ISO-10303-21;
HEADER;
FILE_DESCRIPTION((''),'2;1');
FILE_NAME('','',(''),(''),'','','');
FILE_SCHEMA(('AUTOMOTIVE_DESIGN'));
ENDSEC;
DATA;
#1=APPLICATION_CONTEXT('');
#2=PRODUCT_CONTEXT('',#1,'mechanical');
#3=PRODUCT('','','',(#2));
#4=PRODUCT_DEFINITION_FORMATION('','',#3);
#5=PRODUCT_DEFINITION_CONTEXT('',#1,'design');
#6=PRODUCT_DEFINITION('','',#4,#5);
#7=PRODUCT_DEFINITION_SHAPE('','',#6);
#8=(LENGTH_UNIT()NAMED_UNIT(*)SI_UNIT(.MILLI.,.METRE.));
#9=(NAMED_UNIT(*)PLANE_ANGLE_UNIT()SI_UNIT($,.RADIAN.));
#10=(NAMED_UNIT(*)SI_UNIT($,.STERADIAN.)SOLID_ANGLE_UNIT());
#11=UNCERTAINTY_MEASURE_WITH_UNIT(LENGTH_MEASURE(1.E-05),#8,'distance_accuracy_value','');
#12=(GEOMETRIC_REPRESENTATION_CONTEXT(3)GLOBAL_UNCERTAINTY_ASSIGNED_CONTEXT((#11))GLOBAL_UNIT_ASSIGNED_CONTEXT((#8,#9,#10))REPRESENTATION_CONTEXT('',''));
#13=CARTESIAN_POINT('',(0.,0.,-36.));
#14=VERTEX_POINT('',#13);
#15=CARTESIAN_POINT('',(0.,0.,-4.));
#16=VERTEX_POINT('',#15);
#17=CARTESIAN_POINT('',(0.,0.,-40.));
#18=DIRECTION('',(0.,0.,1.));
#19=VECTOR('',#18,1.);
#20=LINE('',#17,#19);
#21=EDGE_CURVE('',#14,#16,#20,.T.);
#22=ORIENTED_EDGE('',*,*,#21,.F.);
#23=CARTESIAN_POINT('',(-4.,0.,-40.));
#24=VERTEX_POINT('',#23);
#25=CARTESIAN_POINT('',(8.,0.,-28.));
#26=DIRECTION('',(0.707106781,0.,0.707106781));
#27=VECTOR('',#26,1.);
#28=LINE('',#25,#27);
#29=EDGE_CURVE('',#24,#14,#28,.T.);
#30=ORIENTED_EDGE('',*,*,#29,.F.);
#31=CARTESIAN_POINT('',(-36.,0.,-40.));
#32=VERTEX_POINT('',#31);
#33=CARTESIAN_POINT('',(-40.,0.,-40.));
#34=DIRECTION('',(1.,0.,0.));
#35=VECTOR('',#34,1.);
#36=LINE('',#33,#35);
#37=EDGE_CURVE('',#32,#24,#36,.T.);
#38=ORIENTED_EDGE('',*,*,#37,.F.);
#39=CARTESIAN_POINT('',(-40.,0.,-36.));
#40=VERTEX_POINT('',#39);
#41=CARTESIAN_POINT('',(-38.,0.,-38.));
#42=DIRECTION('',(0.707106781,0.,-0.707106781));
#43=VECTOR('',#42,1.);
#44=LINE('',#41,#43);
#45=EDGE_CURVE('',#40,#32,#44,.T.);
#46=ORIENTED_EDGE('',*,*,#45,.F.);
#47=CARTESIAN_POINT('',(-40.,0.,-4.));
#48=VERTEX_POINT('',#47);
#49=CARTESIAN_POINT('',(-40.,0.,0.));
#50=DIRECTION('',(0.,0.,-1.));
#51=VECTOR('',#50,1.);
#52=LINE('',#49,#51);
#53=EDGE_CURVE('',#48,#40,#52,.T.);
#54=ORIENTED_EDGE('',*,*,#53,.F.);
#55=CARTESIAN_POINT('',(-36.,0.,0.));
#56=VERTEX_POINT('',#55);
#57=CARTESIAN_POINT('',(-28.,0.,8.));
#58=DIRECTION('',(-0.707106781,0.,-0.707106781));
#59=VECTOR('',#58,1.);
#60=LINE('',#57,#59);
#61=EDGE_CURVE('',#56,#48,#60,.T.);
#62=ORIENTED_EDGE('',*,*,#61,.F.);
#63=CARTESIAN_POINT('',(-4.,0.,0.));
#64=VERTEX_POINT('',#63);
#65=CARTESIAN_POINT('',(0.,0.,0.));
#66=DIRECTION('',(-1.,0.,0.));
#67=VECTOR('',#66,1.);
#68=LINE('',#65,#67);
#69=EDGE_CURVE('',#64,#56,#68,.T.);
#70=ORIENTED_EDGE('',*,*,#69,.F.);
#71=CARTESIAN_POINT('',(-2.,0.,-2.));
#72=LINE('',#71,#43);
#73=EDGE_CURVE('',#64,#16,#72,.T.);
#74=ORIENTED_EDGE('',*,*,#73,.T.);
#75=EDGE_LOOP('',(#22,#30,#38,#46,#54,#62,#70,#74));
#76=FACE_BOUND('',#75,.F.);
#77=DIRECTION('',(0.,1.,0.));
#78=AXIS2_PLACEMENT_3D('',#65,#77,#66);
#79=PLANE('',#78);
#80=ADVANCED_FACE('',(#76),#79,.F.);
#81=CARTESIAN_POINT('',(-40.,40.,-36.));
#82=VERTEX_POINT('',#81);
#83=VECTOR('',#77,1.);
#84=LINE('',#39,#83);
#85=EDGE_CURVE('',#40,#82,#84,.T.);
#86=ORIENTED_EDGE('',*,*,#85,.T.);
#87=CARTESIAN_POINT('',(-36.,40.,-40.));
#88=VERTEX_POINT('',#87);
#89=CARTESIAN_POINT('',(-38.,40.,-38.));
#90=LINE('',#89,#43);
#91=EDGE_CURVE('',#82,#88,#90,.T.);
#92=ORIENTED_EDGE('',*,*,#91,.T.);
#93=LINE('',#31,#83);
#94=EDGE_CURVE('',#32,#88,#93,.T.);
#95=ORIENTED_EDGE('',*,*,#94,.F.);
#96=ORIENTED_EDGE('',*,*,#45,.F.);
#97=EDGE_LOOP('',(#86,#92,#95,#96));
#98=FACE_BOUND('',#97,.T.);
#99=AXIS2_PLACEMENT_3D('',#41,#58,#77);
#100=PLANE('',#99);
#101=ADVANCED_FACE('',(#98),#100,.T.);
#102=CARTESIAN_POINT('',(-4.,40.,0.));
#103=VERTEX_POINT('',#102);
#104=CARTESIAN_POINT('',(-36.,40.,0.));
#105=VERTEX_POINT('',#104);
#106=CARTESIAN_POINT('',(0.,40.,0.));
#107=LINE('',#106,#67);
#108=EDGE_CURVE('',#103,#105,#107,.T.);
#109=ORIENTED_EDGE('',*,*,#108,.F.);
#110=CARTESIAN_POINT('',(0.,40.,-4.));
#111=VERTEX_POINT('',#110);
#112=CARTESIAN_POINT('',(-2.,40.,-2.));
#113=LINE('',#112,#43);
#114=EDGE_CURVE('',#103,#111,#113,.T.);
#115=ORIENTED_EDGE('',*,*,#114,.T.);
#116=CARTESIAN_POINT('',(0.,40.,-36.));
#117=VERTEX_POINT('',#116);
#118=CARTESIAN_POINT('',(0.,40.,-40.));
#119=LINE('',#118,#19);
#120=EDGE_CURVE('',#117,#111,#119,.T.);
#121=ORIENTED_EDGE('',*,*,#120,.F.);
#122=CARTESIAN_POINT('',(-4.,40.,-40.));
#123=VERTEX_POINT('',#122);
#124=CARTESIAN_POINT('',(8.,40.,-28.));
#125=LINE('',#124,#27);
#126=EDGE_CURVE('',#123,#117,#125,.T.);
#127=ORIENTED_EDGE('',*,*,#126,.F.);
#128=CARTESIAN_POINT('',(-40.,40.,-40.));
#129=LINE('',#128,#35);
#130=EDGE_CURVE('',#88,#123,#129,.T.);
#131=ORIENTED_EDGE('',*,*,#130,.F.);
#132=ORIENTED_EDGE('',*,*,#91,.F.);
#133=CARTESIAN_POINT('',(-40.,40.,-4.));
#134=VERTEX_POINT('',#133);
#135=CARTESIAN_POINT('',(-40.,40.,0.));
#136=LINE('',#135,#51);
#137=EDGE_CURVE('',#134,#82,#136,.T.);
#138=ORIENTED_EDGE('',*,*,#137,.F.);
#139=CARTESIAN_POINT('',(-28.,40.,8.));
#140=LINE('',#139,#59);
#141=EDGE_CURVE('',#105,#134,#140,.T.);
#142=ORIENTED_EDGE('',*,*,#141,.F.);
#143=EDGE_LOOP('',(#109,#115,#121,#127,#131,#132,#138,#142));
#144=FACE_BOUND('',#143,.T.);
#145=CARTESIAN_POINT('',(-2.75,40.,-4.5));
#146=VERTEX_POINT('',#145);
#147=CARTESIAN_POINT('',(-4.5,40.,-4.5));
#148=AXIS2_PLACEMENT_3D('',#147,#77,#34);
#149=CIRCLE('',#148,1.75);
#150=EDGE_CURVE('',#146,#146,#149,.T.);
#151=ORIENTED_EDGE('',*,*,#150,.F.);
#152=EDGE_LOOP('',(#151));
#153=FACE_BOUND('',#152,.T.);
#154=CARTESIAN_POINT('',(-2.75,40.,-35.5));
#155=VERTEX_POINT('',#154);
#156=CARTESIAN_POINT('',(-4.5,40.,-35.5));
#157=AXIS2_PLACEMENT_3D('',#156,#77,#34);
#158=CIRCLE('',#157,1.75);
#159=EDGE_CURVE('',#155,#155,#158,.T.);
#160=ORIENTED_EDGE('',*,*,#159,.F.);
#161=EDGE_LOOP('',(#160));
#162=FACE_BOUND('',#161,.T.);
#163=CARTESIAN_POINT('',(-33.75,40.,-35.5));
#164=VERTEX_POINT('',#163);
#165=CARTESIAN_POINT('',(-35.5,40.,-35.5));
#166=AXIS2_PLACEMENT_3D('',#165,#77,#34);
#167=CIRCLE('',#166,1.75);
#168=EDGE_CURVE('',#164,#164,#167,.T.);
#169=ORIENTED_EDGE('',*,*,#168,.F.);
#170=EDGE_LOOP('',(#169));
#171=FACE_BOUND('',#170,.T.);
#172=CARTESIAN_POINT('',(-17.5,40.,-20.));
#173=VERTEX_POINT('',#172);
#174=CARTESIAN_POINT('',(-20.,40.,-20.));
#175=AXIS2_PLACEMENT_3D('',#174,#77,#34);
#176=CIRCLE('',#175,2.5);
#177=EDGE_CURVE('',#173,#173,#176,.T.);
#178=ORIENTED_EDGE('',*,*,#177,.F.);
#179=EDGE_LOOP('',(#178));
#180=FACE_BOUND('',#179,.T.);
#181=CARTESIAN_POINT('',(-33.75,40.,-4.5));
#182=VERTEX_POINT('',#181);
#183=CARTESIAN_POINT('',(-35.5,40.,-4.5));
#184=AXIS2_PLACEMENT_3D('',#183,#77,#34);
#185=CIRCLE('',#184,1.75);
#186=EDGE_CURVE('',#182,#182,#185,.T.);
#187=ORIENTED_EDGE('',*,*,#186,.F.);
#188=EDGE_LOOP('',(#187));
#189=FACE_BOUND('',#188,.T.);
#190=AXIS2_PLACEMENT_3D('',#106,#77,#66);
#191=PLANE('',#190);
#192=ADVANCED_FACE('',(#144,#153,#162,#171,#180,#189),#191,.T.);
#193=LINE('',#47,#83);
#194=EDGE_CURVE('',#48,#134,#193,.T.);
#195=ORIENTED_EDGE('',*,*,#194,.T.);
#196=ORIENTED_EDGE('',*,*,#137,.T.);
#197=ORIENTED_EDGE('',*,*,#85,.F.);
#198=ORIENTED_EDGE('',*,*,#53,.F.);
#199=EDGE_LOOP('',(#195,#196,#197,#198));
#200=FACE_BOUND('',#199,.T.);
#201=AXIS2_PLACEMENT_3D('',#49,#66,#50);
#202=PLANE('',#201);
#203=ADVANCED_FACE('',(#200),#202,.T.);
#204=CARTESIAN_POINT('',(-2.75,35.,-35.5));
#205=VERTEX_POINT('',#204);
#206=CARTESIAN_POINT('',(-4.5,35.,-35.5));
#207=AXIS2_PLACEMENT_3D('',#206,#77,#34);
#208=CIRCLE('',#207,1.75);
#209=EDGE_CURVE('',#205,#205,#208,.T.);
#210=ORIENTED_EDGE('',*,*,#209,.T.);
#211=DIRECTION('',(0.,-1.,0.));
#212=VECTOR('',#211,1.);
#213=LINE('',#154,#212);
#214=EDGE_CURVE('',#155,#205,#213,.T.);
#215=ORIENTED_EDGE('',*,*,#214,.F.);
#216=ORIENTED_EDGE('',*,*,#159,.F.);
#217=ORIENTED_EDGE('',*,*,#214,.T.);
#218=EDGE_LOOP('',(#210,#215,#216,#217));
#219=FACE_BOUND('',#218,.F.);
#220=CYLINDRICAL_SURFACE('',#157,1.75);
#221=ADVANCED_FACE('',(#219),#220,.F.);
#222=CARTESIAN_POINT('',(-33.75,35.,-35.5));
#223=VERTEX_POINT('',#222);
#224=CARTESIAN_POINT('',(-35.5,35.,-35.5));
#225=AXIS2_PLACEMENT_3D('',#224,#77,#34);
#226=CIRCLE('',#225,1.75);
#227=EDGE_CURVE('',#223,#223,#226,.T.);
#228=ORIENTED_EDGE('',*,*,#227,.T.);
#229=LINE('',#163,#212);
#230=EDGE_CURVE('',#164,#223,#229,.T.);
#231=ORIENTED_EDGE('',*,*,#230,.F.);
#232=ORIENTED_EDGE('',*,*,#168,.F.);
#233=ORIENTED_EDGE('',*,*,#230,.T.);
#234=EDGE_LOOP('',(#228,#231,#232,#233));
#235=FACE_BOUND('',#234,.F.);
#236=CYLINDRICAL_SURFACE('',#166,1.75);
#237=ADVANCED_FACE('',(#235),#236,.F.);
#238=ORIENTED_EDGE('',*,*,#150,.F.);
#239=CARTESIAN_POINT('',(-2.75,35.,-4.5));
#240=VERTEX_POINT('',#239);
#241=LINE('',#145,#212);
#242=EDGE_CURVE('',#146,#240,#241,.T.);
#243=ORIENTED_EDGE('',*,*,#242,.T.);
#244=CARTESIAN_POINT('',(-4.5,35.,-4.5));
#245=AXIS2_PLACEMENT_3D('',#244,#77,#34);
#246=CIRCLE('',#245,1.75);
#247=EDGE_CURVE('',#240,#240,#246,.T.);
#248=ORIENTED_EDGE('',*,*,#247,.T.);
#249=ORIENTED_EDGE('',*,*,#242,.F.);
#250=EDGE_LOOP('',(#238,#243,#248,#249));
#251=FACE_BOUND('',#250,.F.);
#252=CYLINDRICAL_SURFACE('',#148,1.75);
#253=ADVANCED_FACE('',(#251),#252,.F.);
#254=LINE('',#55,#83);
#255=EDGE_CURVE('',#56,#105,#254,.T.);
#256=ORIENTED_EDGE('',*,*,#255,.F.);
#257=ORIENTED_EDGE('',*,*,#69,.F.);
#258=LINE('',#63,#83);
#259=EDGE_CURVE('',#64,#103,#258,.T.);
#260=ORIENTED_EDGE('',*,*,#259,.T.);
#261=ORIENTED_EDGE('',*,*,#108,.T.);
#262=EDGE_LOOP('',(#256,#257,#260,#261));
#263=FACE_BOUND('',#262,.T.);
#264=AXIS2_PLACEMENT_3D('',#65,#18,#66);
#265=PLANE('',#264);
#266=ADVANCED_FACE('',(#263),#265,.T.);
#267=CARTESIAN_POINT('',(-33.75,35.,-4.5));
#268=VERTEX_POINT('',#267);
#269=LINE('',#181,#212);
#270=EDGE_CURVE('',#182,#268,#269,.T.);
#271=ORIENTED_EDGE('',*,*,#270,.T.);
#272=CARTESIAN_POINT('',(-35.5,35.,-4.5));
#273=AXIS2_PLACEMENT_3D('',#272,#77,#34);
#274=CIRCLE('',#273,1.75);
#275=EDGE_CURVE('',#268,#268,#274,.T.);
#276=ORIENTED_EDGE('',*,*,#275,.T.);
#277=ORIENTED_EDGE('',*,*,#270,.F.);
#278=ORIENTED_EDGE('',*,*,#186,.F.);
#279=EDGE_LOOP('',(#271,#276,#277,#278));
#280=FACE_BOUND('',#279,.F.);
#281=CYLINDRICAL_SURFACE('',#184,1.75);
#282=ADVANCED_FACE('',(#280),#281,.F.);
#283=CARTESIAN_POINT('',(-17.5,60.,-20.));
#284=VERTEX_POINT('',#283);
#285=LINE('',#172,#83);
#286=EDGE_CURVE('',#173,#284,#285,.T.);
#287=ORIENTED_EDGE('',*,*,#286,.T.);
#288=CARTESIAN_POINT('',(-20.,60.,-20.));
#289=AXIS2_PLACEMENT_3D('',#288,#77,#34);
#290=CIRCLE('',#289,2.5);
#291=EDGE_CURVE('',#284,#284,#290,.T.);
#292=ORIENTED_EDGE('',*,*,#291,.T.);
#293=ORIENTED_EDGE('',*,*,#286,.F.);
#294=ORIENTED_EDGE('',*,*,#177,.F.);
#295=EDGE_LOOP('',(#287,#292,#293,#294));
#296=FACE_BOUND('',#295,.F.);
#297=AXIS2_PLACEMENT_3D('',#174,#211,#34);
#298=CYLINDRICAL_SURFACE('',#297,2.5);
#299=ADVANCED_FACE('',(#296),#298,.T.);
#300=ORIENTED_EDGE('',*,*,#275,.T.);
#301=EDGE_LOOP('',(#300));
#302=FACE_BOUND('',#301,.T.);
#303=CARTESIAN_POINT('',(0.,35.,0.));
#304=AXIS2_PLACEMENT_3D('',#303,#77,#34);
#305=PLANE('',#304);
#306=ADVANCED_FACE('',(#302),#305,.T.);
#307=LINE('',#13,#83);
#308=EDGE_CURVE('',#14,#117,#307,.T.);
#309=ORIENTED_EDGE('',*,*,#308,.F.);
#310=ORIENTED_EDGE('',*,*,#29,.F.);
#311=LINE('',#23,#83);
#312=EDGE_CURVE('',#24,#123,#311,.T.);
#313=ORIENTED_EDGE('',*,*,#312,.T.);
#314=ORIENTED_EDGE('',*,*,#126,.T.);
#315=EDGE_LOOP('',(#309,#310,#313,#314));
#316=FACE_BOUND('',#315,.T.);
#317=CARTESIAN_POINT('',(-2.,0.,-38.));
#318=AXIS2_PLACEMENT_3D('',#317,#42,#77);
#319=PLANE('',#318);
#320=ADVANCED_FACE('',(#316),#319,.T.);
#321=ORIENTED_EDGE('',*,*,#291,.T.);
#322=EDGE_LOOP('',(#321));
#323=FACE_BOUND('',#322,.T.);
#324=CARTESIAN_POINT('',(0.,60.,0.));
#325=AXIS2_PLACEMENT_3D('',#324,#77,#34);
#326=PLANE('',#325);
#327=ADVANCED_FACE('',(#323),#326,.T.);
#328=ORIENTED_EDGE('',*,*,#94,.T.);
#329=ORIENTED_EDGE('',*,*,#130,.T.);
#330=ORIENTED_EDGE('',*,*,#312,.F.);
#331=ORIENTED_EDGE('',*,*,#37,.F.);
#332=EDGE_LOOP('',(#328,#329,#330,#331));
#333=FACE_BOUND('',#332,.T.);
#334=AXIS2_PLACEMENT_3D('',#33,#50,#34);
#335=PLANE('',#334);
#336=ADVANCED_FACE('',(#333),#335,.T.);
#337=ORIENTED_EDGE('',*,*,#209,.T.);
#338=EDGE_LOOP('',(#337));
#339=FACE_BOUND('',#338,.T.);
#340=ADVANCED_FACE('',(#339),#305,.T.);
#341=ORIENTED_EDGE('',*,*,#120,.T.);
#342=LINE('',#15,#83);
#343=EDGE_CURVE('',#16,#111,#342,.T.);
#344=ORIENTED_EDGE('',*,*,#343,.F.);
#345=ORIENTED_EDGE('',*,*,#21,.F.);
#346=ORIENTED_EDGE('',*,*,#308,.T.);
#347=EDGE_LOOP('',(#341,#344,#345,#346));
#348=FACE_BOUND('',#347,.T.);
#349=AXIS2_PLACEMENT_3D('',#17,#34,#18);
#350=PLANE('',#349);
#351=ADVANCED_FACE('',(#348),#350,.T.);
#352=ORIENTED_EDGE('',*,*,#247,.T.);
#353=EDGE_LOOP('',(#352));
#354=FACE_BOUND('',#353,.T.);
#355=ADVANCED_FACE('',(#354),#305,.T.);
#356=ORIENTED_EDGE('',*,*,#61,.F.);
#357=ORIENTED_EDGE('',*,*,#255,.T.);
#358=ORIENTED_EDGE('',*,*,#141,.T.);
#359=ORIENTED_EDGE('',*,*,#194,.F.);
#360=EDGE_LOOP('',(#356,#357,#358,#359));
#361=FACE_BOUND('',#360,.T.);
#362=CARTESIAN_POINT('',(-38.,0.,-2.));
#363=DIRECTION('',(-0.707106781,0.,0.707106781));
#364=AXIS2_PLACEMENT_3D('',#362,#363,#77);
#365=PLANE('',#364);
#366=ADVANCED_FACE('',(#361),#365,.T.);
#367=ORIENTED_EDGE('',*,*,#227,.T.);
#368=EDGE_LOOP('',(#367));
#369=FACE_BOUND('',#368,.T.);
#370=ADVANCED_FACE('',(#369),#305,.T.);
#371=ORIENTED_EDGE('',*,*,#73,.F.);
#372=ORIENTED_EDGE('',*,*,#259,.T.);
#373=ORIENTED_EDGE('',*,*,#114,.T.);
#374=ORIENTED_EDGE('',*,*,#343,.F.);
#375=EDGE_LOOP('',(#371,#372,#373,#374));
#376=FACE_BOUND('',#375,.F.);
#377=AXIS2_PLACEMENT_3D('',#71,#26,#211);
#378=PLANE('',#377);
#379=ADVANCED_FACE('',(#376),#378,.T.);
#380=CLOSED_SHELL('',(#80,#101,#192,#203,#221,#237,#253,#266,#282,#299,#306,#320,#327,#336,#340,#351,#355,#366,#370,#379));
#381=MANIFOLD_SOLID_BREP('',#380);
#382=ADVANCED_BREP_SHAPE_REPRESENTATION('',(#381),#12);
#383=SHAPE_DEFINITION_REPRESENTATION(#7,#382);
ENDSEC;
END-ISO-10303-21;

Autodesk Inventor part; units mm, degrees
ref_plane "YZ Plane" through (0, 0, 0) normal (1, 0, 0) x (0, 1, 0)
ref_plane "XZ Plane" through (0, 0, 0) normal (0, 1, 0) x (-1, 0, 0)
ref_plane "XY Plane" through (0, 0, 0) normal (0, 0, 1) x (1, 0, 0)
sketch "Sketch1" plane through (0, 0, 0) normal (0, 1, 0) x (-1, 0, 0)
  line L0 (0, 0) -> (40, 0)
  line L1 (40, 0) -> (40, -40)
  line L2 (40, -40) -> (0, -40)
  line L3 (0, -40) -> (0, 0)
  dimension "d0" = 40
  dimension "d1" = 40
extrude "Extrusion1" add sketch "Sketch1" along normal blind 40
chamfer "Chamfer1" distance 4 angle 45 4 edges at (0, 20, 0) (0, 20, -40) (-40, 20, 0) (-40, 20, -40)
sketch "Sketch2" plane through (0, 40, 0) normal (0, 1, 0) x (1, 0, 0)
  circle A0 centre (-20, 20) radius 2.5
  line L0 (-40, 36) -> (-36, 40) projected
  line L1 (-40, 36) -> (-40, 4) projected
  line L2 (-36, 0) -> (-40, 4) projected
  line L3 (-36, 0) -> (-4, 0) projected
  line L4 (0, 4) -> (-4, 0) projected
  line L5 (0, 4) -> (0, 36) projected
  line L6 (-4, 40) -> (0, 36) projected
  line L7 (-4, 40) -> (-36, 40) projected
  point P0 (0, 0)
  dimension "d7" = 5
  dimension "d8" = 40
  dimension "d9" = 20
  dimension "d10" = 20
extrude "Extrusion2" add sketch "Sketch2" along normal blind 20 contours A0
sketch "Sketch3" plane through (0, 40, 0) normal (0, 1, 0) x (1, 0, 0)
  circle A0 centre (-20, 20) radius 2.5 projected
  line L0 (-40, 36) -> (-36, 40) projected
  line L1 (-40, 36) -> (-40, 4) projected
  line L2 (-36, 0) -> (-40, 4) projected
  line L3 (-36, 0) -> (-4, 0) projected
  line L4 (0, 4) -> (-4, 0) projected
  line L5 (0, 4) -> (0, 36) projected
  line L6 (-4, 40) -> (0, 36) projected
  line L7 (-4, 40) -> (-36, 40) projected
  circle A1 centre (-4.5, 4.5) radius 1.75
  circle A2 centre (-4.5, 35.5) radius 1.75
  circle A3 centre (-35.5, 4.5) radius 1.75
  circle A4 centre (-35.5, 35.5) radius 1.75
  point P0 (0, 0)
  dimension "d13" = 3.5
  dimension "d15" = 4
  dimension "d17" = 40
  dimension "d20" = 31
  dimension "d23" = 31
  dimension "d28" = 4.5
  dimension "d29" = 4.5
extrude "Extrusion3" cut sketch "Sketch3" against normal blind 5 contours A1 | A2 | A3 | A4
equation "\"d9\" = 0.5 * d8"
equation "\"d10\" = d9"
equation "\"d28\" = -0.5 * d23 + 0.5 * d17"
equation "\"d29\" = d28"
properties part number "mOTOR" material "Acetal Resin, Black"
